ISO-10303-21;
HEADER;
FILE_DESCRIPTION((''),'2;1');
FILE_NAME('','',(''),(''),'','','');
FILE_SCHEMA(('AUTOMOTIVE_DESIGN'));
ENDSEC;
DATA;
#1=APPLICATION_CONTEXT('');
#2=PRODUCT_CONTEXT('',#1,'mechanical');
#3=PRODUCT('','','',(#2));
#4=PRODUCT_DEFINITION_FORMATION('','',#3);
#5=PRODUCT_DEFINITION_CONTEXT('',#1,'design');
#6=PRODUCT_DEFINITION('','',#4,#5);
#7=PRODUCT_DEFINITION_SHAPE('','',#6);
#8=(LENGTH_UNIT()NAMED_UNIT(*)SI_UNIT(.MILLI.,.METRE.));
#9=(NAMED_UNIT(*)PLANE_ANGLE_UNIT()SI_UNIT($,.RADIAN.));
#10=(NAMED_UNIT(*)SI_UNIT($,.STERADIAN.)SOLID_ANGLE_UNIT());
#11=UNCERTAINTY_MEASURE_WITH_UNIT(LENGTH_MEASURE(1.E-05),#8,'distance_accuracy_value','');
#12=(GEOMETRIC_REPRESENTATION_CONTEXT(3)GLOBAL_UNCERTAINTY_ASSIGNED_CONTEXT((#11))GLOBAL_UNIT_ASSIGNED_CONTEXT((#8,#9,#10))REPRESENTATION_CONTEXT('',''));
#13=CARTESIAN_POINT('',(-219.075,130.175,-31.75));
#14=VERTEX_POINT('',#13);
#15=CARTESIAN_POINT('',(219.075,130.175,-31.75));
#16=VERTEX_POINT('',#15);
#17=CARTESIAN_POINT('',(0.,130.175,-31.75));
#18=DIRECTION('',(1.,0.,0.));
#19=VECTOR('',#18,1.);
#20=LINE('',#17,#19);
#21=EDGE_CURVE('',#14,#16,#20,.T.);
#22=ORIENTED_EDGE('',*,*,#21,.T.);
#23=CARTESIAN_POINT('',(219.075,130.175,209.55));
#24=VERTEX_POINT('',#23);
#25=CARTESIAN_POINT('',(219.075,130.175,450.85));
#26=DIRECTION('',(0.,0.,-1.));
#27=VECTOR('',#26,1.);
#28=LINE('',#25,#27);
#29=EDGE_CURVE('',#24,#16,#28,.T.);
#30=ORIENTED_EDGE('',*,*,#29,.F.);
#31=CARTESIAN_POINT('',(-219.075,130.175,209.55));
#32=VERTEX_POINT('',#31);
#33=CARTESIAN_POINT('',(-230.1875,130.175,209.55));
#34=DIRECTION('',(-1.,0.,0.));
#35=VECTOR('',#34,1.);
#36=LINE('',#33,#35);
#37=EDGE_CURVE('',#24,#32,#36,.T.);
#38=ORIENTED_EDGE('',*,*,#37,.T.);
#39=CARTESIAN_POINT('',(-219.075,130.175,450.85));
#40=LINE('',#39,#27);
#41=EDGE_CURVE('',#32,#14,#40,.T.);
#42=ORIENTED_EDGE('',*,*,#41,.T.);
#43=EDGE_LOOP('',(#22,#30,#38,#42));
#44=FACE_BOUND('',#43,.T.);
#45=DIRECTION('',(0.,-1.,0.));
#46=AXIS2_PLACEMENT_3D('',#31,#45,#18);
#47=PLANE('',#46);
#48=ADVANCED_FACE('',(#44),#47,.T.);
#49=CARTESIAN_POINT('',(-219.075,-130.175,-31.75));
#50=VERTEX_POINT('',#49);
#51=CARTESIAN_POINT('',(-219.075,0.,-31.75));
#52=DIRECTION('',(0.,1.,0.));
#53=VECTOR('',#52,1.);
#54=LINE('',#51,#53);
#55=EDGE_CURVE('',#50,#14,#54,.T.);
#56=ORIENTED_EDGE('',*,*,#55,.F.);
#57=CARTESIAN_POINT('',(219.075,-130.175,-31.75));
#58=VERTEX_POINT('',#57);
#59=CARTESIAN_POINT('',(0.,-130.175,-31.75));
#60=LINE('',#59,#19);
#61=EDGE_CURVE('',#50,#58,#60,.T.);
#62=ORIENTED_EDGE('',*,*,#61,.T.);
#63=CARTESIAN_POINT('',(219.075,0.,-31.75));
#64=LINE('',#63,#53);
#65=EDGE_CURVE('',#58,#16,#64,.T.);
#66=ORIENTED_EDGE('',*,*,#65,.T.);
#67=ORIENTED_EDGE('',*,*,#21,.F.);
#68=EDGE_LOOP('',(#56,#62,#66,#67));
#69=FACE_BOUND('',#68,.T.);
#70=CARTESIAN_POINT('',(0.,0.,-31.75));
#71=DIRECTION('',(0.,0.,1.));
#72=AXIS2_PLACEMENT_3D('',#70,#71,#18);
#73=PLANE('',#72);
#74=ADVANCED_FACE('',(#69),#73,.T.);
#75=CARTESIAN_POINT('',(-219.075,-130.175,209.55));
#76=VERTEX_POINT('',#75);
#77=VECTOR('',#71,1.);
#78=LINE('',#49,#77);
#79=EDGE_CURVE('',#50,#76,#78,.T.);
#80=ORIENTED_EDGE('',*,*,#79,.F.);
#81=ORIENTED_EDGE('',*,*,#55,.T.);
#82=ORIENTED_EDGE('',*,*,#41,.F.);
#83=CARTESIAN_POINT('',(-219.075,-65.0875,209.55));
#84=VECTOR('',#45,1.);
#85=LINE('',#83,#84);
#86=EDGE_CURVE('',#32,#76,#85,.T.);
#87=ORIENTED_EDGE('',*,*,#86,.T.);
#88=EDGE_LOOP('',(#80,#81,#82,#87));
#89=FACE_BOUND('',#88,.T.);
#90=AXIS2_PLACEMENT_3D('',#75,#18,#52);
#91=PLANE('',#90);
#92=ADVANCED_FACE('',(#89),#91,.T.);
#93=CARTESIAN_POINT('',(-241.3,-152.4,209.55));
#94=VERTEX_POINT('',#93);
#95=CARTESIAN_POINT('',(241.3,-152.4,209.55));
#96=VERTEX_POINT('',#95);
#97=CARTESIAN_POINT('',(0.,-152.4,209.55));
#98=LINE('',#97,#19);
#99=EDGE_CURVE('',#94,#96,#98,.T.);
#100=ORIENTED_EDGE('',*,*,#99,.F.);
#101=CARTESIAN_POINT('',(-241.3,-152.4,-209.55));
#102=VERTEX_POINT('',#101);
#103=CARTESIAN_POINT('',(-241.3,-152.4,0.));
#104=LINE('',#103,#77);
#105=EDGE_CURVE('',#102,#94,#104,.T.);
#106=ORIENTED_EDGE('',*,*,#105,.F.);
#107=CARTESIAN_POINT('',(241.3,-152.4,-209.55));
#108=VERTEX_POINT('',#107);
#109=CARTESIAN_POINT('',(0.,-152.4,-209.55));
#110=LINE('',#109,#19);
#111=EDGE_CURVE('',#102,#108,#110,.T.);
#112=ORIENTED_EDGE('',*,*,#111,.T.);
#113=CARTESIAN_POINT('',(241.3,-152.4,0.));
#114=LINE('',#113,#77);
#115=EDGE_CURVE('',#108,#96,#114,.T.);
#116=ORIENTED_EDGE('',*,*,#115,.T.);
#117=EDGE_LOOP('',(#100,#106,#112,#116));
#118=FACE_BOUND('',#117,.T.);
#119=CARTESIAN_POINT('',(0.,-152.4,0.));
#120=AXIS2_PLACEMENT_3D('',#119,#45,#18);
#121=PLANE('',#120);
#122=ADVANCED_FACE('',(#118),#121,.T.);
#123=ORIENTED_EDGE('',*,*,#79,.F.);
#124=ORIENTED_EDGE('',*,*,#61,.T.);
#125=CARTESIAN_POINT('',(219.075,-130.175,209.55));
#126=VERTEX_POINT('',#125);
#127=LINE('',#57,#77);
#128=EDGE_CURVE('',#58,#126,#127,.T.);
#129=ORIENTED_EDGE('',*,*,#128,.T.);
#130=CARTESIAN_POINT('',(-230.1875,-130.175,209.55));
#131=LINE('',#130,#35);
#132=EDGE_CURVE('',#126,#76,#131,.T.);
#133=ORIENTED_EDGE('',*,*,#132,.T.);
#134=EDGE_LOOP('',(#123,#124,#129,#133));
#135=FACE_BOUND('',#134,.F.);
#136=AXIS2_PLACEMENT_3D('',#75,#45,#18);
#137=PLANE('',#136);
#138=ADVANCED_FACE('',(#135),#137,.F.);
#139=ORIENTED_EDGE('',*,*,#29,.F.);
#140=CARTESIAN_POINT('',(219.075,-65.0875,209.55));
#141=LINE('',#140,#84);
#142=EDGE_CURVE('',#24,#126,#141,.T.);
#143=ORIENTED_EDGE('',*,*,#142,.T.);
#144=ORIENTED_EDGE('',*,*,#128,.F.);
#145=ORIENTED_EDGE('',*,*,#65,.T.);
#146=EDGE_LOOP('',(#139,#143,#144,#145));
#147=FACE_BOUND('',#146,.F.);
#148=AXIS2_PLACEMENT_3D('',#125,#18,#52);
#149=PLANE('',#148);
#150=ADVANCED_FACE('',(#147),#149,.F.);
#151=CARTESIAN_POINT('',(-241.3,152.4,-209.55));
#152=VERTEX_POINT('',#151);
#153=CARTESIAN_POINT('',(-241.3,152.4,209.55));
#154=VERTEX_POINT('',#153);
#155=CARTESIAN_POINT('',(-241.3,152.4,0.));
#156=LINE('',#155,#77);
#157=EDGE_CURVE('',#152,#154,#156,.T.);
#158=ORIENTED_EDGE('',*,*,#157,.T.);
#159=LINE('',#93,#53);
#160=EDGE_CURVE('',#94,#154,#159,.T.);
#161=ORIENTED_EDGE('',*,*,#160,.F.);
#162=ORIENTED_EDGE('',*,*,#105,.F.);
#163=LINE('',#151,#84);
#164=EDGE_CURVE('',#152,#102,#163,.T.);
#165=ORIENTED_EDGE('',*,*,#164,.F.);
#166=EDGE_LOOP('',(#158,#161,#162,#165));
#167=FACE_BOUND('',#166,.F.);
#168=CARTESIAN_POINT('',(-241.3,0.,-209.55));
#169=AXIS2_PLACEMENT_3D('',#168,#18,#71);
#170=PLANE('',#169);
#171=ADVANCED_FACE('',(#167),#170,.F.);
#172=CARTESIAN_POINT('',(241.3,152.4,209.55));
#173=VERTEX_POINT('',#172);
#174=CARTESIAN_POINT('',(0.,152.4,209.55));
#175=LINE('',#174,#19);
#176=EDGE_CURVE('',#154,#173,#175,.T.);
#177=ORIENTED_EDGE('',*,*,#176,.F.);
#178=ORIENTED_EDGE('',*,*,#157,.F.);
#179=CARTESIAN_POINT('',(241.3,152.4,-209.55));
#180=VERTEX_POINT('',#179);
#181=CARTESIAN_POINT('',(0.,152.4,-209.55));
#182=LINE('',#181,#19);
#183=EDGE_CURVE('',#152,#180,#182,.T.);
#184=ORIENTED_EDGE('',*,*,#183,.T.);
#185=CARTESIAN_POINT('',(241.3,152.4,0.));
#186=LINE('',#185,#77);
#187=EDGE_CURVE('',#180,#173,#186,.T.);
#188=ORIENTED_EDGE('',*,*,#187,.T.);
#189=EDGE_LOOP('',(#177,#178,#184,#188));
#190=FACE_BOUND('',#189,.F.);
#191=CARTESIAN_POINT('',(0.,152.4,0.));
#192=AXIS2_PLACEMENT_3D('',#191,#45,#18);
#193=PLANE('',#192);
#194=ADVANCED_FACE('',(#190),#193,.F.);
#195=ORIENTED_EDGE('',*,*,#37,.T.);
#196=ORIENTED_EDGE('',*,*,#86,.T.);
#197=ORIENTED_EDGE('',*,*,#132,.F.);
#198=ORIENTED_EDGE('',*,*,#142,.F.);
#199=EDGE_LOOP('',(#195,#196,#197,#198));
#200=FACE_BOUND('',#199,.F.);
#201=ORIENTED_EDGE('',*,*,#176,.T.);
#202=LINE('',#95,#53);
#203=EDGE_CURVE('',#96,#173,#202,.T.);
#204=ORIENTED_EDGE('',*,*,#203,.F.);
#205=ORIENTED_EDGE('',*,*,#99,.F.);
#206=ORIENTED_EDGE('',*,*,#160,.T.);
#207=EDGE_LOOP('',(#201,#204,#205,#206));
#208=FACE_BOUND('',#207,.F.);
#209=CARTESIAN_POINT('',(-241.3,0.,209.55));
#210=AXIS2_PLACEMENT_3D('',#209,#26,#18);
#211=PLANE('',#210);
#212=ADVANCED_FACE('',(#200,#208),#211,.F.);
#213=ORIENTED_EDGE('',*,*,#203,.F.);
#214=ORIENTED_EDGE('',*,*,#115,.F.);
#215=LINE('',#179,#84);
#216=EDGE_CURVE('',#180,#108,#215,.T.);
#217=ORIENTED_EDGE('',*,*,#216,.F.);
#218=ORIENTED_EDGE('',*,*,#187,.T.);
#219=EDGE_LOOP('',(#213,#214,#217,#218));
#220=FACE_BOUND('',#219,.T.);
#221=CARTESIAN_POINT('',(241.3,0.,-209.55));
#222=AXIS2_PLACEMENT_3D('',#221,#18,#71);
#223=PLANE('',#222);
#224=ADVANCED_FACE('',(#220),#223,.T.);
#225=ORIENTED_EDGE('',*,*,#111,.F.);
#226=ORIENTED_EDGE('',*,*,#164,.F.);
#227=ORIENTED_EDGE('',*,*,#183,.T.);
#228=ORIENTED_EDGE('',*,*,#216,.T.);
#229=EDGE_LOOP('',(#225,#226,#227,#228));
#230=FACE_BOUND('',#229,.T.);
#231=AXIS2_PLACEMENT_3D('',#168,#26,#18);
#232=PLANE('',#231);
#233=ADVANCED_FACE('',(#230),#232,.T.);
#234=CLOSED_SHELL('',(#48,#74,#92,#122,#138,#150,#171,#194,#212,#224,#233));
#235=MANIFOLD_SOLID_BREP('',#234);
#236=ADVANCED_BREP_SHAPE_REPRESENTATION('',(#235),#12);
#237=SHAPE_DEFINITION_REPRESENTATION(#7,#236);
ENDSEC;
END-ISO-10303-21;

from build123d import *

# Parameters (mm, degrees)
F0_W     = 482.6
F0_H     = 419.1
F1_DEPTH = 152.4
F2_W     = 438.15
F2_H     = 260.35
F3_DEPTH = 241.3


with BuildPart() as f1:
    # F0 (on Front) → F1 (new body, symmetric)
    with BuildSketch(Plane.XZ):
        Rectangle(F0_W, F0_H)
    extrude(amount=F1_DEPTH, both=True)

    # F2 (on face) → F3 (cut, symmetric)
    with BuildSketch(Plane.XY.offset(209.55)):
        Rectangle(F2_W, F2_H)
    extrude(amount=F3_DEPTH, both=True, mode=Mode.SUBTRACT)


solid = f1.part
